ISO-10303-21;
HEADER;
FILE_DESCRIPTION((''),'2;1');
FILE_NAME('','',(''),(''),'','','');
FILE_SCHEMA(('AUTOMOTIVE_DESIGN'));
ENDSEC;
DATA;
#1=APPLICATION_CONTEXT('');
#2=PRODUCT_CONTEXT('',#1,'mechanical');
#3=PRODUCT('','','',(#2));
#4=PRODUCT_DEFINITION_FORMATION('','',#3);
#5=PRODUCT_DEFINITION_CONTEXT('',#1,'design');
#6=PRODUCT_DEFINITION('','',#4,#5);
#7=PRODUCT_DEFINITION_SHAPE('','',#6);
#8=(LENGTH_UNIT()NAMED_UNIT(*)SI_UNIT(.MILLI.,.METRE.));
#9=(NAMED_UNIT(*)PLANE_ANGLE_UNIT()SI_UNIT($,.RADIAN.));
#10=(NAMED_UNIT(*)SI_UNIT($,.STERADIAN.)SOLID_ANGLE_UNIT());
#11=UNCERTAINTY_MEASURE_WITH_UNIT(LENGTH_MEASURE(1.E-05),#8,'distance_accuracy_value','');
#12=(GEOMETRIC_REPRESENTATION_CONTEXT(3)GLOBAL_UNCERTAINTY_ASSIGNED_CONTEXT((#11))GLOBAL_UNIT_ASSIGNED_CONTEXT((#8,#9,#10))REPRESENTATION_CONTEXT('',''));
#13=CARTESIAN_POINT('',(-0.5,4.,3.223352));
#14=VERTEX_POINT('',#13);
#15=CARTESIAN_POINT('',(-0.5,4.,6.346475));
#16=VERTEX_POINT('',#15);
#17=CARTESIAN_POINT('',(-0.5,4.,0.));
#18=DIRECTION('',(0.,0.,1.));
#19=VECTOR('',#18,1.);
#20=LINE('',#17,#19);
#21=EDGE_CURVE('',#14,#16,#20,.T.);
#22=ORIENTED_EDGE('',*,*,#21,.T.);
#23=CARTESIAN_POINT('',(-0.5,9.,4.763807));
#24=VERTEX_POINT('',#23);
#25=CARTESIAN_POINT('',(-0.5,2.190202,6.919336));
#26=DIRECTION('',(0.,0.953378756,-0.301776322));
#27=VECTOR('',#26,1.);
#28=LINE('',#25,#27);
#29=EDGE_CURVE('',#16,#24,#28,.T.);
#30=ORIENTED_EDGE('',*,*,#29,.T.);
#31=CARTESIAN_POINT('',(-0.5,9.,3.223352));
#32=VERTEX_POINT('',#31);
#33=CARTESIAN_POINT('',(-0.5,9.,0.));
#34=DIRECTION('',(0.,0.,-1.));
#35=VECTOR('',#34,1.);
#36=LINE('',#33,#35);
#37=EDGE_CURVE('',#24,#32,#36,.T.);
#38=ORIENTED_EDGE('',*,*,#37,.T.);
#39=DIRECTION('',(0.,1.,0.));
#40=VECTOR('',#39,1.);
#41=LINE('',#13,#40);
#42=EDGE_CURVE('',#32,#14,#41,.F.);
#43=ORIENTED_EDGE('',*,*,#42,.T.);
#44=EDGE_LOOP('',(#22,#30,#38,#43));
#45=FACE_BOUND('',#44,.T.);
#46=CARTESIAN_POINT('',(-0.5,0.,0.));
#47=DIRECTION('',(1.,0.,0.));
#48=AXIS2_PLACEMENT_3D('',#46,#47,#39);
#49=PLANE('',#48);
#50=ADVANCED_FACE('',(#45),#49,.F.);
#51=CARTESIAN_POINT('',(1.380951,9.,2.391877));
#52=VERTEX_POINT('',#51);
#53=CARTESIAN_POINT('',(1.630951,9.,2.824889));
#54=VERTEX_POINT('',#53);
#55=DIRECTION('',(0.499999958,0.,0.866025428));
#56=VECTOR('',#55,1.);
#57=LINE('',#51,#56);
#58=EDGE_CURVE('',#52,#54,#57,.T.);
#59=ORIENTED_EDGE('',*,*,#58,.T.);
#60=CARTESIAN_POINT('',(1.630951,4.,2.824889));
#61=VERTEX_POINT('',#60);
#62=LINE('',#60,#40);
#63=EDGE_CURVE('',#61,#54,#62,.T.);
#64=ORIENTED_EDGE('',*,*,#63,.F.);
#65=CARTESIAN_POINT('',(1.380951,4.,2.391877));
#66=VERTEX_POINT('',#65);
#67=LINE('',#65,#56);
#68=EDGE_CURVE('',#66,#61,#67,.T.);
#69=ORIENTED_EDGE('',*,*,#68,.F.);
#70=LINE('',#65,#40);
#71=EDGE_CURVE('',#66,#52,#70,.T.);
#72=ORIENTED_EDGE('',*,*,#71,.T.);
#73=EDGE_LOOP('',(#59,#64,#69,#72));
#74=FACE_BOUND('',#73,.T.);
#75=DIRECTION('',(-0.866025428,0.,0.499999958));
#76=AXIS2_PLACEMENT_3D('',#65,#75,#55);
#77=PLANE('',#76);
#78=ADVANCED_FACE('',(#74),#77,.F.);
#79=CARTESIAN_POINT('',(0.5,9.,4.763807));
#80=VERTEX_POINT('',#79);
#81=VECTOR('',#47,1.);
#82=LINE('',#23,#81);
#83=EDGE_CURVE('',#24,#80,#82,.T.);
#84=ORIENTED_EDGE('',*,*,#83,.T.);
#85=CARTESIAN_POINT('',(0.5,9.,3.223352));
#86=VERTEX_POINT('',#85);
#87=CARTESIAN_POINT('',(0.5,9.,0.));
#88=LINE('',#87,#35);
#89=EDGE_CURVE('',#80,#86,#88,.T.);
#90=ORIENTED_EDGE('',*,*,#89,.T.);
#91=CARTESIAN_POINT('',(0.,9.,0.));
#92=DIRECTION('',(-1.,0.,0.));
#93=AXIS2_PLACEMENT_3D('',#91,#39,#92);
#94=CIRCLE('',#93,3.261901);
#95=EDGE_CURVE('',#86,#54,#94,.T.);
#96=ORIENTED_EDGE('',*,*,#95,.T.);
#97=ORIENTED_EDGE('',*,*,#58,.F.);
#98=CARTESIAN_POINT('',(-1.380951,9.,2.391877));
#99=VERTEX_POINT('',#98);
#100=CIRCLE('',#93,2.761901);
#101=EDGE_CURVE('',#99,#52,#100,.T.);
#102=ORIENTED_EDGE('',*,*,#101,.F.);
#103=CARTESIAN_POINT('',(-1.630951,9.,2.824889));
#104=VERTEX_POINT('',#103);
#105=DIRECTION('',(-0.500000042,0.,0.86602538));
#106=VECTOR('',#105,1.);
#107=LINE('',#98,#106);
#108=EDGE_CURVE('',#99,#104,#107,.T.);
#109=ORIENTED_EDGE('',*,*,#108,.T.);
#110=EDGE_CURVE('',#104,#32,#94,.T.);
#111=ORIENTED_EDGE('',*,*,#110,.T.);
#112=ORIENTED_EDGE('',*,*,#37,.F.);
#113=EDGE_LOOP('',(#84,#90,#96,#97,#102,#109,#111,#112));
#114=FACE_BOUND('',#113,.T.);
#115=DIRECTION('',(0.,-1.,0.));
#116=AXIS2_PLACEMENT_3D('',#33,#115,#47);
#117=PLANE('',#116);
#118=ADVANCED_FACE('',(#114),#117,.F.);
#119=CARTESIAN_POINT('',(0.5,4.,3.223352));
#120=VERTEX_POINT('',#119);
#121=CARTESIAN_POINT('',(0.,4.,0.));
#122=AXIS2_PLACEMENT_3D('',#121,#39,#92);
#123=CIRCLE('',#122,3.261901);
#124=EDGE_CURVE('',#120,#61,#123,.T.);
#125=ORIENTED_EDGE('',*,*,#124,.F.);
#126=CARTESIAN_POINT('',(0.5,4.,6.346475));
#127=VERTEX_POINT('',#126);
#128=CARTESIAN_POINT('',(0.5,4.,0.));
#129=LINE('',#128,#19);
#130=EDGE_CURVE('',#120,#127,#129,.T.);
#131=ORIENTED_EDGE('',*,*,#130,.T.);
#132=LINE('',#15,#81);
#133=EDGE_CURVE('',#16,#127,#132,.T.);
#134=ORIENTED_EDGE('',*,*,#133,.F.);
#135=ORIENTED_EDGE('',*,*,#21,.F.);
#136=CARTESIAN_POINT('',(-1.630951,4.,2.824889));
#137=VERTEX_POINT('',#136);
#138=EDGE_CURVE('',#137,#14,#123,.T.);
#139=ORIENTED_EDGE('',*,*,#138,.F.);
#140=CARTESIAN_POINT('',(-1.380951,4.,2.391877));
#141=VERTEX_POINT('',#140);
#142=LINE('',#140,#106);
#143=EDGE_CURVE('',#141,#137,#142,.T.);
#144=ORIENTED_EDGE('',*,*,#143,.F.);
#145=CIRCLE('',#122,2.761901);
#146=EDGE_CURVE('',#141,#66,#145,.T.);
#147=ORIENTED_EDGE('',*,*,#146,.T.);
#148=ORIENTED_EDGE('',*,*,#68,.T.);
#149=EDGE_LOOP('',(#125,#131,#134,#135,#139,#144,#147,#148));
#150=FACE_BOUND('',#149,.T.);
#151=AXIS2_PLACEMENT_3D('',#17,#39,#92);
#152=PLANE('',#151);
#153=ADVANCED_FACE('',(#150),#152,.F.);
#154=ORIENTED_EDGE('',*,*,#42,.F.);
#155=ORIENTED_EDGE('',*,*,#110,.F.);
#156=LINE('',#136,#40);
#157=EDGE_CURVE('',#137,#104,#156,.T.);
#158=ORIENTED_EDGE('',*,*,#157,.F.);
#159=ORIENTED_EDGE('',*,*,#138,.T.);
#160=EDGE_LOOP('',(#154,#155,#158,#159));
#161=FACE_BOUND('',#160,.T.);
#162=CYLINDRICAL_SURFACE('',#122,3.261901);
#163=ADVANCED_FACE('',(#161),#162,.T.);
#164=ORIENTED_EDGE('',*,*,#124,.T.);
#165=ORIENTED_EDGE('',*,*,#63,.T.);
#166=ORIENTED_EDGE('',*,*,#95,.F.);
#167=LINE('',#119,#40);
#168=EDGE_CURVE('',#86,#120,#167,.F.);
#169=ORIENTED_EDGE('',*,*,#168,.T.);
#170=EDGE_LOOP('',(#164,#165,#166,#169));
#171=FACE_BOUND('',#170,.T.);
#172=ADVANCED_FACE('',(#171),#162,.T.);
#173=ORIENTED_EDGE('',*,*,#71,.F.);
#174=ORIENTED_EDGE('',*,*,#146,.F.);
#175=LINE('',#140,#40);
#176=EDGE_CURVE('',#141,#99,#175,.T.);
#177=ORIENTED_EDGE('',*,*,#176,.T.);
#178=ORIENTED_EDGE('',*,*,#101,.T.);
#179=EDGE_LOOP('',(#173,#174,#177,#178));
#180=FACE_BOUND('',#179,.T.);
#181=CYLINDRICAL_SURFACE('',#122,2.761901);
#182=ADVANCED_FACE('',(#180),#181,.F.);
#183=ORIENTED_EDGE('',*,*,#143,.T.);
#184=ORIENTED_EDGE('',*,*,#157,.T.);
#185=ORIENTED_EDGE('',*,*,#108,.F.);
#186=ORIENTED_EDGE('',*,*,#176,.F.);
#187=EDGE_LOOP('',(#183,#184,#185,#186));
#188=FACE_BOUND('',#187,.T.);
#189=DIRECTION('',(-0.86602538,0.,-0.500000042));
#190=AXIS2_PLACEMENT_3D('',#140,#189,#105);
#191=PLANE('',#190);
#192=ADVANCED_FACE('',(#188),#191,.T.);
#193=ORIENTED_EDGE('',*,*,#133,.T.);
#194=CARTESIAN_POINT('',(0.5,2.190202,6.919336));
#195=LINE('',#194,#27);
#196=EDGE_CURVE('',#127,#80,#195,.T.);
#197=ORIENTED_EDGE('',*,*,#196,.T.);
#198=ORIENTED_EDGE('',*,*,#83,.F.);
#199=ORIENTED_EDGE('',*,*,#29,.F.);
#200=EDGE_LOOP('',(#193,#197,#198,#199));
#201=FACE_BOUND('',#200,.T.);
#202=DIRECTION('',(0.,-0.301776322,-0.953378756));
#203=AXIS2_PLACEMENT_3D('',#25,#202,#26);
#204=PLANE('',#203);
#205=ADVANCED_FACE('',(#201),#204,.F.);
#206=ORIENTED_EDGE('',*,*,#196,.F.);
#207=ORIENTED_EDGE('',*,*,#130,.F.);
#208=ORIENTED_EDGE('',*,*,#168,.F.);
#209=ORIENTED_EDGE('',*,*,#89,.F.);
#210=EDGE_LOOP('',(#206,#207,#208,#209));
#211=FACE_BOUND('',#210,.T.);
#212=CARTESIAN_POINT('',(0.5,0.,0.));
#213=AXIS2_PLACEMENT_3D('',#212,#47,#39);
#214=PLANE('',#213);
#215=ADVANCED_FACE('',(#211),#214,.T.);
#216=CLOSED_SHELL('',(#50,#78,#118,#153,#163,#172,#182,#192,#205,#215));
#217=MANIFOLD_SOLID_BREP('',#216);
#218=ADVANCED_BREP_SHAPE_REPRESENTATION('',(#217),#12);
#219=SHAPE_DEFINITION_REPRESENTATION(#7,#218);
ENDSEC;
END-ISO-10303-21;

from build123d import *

# Parameters (mm, degrees)
BOSS_EXTRUDE1_DEPTH      = 0.5
BOSS_EXTRUDE1_DEPTH_BACK = 0.5
BOSS_EXTRUDE2_DEPTH      = 2.5
BOSS_EXTRUDE2_DEPTH_BACK = 2.5


with BuildPart() as part:
    # Sketch1 → Boss-Extrude1 (new, two sides: drawn at the far end of the back side and taken through both)
    with BuildSketch(Plane(origin=(0, 0, 0), x_dir=(0, 0, -1), z_dir=(1, 0, 0)).offset(-BOSS_EXTRUDE1_DEPTH_BACK)):
        Polygon((-2.836617921, 9), (-3.261901286, 9), (-4.763807052, 9), (-6.346474592, 4), (-3.261901286, 4), (-2.836617921, 4), align=None)
    extrude(amount=BOSS_EXTRUDE1_DEPTH + BOSS_EXTRUDE1_DEPTH_BACK)

    # Sketch2 → Boss-Extrude2 (add, two sides: drawn at the far end of the back side and taken through both)
    with BuildSketch(Plane(origin=(0, 6.5, 0), x_dir=(1, 0, 0), z_dir=(0, 1, 0)).offset(-BOSS_EXTRUDE2_DEPTH_BACK)):
        with BuildLine():
            Line((-1.380950907, -2.391876524), (-1.630950928, -2.824889214))
            ThreePointArc((-1.630950928, -2.824889214), (-0.844242346, -3.150754649), (-2.4e-08, -3.261901286))
            ThreePointArc((-2.4e-08, -3.261901286), (0.8442423, -3.150754662), (1.630950886, -2.824889238))
            Line((1.630950886, -2.824889238), (1.380950907, -2.391876524))
            ThreePointArc((1.380950907, -2.391876524), (0.714832801, -2.667791742), (0, -2.761901286))
            ThreePointArc((0, -2.761901286), (-0.714832801, -2.667791742), (-1.380950907, -2.391876524))
        make_face()
    extrude(amount=BOSS_EXTRUDE2_DEPTH + BOSS_EXTRUDE2_DEPTH_BACK)


solid = part.part
